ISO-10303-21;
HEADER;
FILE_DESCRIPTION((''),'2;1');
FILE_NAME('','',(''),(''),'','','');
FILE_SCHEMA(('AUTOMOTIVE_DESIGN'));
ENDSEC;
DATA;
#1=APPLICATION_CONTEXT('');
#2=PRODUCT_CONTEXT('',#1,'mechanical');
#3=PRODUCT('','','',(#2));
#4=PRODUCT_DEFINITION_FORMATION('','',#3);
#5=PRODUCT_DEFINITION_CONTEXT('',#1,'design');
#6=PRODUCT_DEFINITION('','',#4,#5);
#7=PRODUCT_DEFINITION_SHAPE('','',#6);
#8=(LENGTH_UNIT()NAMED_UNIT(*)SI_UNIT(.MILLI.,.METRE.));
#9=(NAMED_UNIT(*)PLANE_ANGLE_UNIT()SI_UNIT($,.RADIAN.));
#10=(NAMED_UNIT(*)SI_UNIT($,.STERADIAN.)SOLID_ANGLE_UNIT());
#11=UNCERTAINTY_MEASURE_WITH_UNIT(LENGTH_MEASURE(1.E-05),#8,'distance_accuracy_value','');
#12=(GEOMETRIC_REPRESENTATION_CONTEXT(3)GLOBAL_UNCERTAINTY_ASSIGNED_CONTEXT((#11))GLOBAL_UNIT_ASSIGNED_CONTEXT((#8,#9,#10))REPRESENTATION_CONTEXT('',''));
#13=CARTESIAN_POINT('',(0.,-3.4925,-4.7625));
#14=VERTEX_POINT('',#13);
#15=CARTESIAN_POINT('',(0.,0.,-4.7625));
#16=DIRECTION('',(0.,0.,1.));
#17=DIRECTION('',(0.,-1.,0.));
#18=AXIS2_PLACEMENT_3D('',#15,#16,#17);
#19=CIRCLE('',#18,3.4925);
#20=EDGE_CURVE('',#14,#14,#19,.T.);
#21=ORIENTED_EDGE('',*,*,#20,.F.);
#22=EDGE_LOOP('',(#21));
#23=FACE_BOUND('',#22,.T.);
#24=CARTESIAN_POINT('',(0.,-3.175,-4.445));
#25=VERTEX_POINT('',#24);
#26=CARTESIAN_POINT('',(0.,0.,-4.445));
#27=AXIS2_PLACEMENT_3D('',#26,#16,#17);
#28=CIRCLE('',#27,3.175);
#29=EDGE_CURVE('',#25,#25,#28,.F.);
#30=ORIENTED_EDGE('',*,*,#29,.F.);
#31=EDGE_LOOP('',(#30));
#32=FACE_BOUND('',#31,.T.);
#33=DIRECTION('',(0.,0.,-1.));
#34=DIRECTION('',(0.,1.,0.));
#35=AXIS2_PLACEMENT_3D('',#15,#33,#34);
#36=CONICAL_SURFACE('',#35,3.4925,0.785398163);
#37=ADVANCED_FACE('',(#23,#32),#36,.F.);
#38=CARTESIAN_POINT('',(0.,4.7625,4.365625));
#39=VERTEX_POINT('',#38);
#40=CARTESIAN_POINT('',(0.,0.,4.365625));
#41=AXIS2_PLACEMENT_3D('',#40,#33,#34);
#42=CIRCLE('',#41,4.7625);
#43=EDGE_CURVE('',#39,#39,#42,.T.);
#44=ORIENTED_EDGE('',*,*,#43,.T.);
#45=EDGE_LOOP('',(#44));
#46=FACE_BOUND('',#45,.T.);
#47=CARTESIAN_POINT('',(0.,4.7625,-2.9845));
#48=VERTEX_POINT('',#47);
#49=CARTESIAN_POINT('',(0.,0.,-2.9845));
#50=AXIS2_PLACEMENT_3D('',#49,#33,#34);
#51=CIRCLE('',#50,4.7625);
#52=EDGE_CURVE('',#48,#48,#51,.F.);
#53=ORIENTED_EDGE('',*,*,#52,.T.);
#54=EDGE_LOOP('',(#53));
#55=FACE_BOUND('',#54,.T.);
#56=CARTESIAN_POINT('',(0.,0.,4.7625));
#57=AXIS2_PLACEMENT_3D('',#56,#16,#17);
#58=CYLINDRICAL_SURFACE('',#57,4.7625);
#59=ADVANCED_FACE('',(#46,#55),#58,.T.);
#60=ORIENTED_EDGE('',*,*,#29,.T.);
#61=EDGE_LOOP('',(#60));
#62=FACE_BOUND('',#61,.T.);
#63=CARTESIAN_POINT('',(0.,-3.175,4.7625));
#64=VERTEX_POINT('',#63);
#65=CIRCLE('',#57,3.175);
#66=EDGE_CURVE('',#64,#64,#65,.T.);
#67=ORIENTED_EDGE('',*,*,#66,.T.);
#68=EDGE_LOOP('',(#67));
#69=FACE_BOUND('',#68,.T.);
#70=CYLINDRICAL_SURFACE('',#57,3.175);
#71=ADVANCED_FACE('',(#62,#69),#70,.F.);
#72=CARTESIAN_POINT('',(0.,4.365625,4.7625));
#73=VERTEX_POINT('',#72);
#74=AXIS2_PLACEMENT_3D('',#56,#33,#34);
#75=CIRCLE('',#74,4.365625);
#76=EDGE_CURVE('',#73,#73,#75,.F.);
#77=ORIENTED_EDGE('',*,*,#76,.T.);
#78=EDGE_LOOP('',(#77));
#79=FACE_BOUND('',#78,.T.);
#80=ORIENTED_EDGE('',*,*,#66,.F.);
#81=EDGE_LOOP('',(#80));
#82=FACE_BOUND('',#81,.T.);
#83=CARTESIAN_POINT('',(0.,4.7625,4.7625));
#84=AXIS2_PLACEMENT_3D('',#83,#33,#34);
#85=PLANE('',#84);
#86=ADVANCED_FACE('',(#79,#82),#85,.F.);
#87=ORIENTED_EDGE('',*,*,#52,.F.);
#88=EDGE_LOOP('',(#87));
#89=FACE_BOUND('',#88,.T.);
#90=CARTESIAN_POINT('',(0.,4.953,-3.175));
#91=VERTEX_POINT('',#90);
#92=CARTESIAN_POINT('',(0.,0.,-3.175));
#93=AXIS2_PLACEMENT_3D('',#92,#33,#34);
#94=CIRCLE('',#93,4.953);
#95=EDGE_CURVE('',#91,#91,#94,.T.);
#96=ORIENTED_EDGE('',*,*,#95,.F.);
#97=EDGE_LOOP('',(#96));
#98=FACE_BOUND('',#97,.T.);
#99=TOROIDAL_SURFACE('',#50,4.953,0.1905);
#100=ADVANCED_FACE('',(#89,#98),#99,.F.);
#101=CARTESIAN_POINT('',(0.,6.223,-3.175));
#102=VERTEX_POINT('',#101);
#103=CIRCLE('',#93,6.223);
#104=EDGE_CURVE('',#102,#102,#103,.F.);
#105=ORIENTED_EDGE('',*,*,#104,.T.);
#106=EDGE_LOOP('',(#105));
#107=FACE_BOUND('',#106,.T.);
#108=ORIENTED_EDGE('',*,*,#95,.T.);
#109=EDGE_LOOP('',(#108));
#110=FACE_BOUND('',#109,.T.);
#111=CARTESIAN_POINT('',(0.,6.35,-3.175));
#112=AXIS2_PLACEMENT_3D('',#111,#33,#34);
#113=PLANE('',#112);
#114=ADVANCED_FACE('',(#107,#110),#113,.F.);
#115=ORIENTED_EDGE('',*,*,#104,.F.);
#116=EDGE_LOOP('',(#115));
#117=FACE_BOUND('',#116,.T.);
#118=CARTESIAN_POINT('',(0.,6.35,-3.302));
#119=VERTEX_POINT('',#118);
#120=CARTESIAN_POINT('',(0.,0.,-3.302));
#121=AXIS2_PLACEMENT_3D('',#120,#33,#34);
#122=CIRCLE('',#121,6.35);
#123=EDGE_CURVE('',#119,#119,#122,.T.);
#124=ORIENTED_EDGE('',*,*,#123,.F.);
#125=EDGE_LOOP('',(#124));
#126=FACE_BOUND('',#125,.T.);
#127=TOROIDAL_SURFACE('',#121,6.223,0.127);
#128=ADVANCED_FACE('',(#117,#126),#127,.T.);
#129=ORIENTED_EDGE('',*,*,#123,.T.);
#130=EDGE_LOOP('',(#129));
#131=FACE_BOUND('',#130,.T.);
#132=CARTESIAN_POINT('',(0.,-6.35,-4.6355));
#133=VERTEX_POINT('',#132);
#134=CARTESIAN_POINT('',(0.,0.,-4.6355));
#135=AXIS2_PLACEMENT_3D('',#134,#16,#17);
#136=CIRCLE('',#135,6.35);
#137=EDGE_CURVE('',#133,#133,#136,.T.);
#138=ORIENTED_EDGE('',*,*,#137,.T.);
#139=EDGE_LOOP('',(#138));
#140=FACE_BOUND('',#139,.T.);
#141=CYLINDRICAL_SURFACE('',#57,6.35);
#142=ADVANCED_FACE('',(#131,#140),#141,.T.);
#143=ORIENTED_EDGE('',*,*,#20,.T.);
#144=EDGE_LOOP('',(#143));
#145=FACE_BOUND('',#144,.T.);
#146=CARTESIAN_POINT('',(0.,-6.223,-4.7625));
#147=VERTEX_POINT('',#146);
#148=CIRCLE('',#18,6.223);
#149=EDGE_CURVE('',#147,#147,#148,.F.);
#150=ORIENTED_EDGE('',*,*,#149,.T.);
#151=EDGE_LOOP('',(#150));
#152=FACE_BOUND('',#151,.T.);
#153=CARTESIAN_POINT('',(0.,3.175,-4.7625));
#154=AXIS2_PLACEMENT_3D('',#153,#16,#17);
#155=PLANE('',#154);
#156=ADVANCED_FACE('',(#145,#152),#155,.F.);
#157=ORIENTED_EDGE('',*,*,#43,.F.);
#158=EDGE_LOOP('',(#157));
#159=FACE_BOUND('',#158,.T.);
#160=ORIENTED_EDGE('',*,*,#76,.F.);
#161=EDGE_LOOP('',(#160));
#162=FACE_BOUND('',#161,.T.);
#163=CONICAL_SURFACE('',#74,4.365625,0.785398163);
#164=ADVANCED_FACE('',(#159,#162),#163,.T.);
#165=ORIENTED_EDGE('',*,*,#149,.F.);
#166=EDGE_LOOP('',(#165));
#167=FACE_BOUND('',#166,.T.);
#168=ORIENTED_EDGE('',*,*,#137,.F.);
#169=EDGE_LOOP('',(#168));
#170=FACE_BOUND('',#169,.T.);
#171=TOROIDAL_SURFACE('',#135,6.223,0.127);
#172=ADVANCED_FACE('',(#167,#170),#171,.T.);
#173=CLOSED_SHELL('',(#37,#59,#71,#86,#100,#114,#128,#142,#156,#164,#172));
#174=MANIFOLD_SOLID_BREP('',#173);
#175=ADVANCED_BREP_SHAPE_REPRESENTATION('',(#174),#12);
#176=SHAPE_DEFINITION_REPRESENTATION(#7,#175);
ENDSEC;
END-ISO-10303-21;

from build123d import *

# Parameters (mm, degrees)
CHAMFER1_SIZE = 0.396875
FILLET1_R     = 0.1905
FILLET2_R     = 0.127
CHAMFER2_SIZE = 0.3175


with BuildPart() as part:
    # Sketch3 → Revolve1 (revolve)
    with BuildSketch(Plane(origin=(0, 0, 0), x_dir=(0, 0, -1), z_dir=(1, 0, 0)), mode=Mode.PRIVATE) as revolve1_sk:
        Polygon((-4.7625, 3.175), (4.7625, 3.175), (4.7625, 6.35), (3.175, 6.35), (3.175, 4.7625), (-4.7625, 4.7625), align=None)
    revolve(revolve1_sk.sketch.rotate(Axis((0, 0, 4.7625), (0, 0, -1)), 180), axis=Axis((0, 0, 4.7625), (0, 0, -1)))

    # Chamfer1
    chamfer1_edges = [part.edges().sort_by_distance(p)[0] for p in [
        (0, 4.7625, 4.7625),
    ]]
    chamfer(chamfer1_edges, length=CHAMFER1_SIZE)

    # Fillet1
    fillet1_edges = [part.edges().sort_by_distance(p)[0] for p in [
        (0, 4.7625, -3.175),
    ]]
    fillet(fillet1_edges, radius=FILLET1_R)

    # Fillet2
    fillet2_edges = [part.edges().sort_by_distance(p)[0] for p in [
        (0, 6.35, -3.175),
        (0, 6.35, -4.7625),
    ]]
    fillet(fillet2_edges, radius=FILLET2_R)

    # Chamfer2
    chamfer2_edges = [part.edges().sort_by_distance(p)[0] for p in [
        (0, 3.175, -4.7625),
    ]]
    chamfer(chamfer2_edges, length=CHAMFER2_SIZE)


solid = part.part
